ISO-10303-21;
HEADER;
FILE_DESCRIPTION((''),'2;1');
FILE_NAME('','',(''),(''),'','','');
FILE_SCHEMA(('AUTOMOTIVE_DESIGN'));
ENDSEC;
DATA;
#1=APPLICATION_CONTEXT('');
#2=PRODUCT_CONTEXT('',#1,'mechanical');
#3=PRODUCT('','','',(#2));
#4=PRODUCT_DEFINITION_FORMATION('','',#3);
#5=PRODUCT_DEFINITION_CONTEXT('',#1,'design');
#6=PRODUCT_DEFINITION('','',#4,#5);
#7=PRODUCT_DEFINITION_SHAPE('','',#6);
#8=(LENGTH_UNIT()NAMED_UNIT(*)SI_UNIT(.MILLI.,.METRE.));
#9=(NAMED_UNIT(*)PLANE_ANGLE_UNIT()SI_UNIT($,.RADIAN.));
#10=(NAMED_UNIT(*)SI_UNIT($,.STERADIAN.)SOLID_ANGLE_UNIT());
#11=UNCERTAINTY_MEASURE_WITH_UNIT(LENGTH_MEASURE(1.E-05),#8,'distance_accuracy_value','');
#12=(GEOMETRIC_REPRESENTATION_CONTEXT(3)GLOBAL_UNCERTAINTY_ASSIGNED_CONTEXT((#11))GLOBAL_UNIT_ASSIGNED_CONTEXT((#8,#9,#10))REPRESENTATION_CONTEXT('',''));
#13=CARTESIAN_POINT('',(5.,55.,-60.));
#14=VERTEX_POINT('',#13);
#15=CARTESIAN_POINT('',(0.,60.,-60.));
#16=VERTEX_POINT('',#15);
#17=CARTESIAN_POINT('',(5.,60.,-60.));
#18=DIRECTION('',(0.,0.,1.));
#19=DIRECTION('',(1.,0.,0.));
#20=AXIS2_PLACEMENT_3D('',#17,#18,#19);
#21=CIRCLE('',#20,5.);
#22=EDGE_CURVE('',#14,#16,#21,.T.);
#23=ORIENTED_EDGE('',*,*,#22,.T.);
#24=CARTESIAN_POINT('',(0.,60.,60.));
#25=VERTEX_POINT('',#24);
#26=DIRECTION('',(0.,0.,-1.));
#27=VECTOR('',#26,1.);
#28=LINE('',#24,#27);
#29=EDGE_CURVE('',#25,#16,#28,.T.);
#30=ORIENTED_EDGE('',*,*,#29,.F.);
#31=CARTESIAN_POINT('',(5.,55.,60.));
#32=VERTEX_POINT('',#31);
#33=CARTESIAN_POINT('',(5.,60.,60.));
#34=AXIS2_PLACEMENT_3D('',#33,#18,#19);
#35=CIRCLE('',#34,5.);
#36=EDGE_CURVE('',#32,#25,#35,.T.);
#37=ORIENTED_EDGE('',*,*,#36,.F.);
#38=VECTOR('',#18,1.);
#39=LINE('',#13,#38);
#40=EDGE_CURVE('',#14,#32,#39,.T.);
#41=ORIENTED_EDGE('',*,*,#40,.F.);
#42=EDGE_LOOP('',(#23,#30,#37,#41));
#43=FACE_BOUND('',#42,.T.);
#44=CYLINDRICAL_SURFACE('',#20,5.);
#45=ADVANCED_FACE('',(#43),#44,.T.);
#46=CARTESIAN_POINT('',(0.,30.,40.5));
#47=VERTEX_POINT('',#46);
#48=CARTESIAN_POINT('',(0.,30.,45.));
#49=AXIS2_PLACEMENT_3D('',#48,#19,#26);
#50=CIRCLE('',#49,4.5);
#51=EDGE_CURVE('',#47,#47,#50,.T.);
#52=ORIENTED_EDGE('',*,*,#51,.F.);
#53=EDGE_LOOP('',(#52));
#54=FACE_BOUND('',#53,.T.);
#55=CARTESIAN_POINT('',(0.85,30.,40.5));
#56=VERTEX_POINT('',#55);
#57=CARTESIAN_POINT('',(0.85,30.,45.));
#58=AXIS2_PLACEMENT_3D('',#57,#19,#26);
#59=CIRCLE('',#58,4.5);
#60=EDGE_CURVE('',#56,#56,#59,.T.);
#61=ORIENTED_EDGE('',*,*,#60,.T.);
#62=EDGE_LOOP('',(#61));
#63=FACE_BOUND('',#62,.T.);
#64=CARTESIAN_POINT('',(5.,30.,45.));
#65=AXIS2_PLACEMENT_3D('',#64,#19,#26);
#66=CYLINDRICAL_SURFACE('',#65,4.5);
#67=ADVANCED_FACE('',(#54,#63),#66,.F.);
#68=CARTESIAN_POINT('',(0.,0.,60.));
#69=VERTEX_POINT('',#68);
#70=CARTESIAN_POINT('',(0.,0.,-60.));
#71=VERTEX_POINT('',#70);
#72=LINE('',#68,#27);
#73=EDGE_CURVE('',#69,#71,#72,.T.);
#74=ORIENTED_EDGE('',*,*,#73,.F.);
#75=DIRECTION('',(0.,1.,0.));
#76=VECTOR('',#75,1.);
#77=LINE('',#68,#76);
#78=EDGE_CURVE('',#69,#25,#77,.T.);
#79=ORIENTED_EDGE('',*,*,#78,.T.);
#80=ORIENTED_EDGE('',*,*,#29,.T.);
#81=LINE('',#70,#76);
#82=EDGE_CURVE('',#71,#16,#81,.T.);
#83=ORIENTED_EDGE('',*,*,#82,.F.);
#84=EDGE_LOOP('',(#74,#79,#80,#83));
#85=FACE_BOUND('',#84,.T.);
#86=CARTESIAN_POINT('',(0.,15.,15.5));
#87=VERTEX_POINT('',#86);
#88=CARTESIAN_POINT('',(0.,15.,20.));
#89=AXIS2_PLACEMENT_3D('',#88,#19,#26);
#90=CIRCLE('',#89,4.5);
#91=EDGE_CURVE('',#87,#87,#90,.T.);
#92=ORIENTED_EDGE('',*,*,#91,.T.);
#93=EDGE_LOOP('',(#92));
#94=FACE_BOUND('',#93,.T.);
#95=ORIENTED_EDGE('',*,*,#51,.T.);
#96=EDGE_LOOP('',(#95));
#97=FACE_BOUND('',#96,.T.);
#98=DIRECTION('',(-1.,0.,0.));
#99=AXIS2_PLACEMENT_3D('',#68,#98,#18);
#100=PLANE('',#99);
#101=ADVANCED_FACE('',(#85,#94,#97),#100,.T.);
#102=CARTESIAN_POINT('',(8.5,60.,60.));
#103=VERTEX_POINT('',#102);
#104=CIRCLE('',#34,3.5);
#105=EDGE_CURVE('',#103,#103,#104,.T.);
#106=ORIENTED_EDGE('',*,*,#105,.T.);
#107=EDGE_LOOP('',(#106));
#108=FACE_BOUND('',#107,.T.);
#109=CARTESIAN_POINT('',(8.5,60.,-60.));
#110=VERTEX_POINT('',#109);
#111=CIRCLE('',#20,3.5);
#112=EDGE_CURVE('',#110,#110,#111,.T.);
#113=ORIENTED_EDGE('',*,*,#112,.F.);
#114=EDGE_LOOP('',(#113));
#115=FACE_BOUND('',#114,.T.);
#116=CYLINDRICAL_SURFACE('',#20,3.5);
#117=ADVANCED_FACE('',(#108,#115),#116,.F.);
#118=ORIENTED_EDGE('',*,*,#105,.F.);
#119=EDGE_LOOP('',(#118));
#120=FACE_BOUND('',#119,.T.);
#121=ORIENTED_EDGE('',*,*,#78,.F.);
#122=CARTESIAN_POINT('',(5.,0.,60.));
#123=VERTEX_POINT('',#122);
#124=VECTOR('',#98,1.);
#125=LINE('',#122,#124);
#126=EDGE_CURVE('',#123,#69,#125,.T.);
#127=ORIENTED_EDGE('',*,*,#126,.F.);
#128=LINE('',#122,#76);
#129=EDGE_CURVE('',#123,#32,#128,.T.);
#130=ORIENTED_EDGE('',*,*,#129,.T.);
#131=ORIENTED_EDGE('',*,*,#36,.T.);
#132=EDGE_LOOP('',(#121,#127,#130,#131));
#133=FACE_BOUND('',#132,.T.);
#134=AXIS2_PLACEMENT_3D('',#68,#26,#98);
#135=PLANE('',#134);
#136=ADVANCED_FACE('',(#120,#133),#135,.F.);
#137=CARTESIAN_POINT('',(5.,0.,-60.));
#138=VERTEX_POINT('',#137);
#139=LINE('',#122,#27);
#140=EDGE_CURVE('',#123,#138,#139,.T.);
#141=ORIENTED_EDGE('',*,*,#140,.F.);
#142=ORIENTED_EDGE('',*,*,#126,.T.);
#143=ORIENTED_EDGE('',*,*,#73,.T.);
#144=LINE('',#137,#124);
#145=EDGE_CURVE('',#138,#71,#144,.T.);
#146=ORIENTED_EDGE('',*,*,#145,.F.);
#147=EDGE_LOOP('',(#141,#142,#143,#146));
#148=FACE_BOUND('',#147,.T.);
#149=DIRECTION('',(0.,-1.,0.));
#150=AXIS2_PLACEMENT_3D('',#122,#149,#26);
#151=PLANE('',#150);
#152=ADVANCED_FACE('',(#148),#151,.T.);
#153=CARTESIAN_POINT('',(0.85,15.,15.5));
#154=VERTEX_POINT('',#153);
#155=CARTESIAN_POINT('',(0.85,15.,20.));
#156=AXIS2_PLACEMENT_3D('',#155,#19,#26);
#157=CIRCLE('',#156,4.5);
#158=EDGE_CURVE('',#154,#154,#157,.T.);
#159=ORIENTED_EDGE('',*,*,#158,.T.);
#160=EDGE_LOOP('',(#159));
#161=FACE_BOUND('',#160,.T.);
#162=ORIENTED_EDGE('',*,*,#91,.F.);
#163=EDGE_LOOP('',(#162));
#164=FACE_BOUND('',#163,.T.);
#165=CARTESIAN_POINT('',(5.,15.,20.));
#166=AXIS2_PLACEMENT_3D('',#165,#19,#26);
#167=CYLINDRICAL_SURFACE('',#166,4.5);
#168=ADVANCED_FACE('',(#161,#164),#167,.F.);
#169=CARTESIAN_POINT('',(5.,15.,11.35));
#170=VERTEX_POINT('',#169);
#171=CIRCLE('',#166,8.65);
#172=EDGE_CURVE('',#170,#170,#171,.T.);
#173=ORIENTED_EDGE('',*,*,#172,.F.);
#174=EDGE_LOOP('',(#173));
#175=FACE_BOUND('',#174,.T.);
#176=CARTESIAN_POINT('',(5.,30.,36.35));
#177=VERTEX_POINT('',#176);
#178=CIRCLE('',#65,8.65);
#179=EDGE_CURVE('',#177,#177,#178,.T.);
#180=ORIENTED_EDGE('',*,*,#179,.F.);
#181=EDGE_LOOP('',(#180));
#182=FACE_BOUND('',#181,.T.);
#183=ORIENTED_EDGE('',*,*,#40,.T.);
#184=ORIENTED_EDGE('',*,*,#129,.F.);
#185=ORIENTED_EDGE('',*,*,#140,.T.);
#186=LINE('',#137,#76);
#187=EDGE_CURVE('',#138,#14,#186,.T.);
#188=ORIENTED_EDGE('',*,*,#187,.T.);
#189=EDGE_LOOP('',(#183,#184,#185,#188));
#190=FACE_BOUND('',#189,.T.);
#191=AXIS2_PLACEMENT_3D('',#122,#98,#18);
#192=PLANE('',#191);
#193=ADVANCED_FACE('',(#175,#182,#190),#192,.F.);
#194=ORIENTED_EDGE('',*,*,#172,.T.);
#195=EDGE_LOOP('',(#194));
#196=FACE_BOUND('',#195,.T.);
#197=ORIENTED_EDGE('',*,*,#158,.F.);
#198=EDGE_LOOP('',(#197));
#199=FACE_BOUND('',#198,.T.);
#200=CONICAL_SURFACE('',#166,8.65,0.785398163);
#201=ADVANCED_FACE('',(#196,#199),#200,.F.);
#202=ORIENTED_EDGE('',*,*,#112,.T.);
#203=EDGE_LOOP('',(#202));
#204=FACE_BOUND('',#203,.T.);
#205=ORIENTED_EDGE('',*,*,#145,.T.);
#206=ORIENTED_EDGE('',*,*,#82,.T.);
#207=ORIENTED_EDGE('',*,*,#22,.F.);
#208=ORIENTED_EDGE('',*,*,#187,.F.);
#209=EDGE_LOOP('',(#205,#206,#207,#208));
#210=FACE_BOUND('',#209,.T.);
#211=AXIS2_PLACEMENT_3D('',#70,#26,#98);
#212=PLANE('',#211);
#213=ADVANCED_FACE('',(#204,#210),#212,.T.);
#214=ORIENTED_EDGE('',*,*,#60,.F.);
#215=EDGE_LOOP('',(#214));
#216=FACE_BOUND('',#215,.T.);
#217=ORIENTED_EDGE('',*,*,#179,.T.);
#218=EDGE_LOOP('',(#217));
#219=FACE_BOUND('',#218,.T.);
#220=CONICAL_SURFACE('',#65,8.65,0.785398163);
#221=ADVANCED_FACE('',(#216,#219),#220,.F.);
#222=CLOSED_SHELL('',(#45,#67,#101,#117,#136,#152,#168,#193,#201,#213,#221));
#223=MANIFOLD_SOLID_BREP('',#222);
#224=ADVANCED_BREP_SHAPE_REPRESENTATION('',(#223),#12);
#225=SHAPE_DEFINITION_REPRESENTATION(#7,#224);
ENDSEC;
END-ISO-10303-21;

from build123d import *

# Parameters (mm, degrees)
SKETCH_1_W                 = 5
SKETCH_1_H                 = 60
EXTRUDE_1_DEPTH            = 60
SKETCH_2_R                 = 5
SKETCH_3_R                 = 3.5
CUT_EXTRUDE_1_DEPTH        = 137.839321834
HOLE_WIZARD_M84_AT_2_COUNT = 2
HOLE_WIZARD_M84_AT_2_PITCH = 29.154759474


with BuildPart() as part:
    # Эскиз1 → Вытянуть-Тонкостенный1 (new, symmetric)
    with BuildSketch(Plane.XY):
        with Locations((2.5, 30)):
            Rectangle(SKETCH_1_W, SKETCH_1_H)
    extrude(amount=EXTRUDE_1_DEPTH, both=True)

    # По траектории1: sweep along a curve in space
    with BuildLine() as sweep_1_path:
        Line((5, 60, 60), (5, 60, -60))
    # Эскиз2 → По траектории1 (sweep)
    with BuildSketch(Plane.XY.offset(60)):
        with Locations((5, 60)):
            Circle(SKETCH_2_R)
    sweep(path=sweep_1_path.line)

    # Эскиз3 → Вырез-Вытянуть1 (cut, through all)
    with BuildSketch(Plane.XY.offset(60)):
        with Locations((5, 60)):
            Circle(SKETCH_3_R)
    extrude(amount=-CUT_EXTRUDE_1_DEPTH, mode=Mode.SUBTRACT)

    # Эскиз11 → Зенковка для  винта с плоской головкой M84 (revolve, cut)
    with BuildSketch(Plane(origin=(5, 30, 45), x_dir=(0, 0, -1), z_dir=(0, 1, 0))):
        Polygon((0, 0), (0, 5), (4.5, 5), (4.5, 4.15), (8.65, 0), align=None)
    hole_wizard_m84 = revolve(axis=Axis((11.35, 30, 45), (-1, 0, 0)), mode=Mode.SUBTRACT)

    # Зенковка для  винта с плоской головкой M84 at 2: Зенковка для  винта с плоской головкой M84 ×2
    with Locations(*[Vector(0, -0.5144957554275265, -0.8574929257125442) * (i * HOLE_WIZARD_M84_AT_2_PITCH) for i in range(1, HOLE_WIZARD_M84_AT_2_COUNT)]):
        add(hole_wizard_m84, mode=Mode.SUBTRACT)


solid = part.part
